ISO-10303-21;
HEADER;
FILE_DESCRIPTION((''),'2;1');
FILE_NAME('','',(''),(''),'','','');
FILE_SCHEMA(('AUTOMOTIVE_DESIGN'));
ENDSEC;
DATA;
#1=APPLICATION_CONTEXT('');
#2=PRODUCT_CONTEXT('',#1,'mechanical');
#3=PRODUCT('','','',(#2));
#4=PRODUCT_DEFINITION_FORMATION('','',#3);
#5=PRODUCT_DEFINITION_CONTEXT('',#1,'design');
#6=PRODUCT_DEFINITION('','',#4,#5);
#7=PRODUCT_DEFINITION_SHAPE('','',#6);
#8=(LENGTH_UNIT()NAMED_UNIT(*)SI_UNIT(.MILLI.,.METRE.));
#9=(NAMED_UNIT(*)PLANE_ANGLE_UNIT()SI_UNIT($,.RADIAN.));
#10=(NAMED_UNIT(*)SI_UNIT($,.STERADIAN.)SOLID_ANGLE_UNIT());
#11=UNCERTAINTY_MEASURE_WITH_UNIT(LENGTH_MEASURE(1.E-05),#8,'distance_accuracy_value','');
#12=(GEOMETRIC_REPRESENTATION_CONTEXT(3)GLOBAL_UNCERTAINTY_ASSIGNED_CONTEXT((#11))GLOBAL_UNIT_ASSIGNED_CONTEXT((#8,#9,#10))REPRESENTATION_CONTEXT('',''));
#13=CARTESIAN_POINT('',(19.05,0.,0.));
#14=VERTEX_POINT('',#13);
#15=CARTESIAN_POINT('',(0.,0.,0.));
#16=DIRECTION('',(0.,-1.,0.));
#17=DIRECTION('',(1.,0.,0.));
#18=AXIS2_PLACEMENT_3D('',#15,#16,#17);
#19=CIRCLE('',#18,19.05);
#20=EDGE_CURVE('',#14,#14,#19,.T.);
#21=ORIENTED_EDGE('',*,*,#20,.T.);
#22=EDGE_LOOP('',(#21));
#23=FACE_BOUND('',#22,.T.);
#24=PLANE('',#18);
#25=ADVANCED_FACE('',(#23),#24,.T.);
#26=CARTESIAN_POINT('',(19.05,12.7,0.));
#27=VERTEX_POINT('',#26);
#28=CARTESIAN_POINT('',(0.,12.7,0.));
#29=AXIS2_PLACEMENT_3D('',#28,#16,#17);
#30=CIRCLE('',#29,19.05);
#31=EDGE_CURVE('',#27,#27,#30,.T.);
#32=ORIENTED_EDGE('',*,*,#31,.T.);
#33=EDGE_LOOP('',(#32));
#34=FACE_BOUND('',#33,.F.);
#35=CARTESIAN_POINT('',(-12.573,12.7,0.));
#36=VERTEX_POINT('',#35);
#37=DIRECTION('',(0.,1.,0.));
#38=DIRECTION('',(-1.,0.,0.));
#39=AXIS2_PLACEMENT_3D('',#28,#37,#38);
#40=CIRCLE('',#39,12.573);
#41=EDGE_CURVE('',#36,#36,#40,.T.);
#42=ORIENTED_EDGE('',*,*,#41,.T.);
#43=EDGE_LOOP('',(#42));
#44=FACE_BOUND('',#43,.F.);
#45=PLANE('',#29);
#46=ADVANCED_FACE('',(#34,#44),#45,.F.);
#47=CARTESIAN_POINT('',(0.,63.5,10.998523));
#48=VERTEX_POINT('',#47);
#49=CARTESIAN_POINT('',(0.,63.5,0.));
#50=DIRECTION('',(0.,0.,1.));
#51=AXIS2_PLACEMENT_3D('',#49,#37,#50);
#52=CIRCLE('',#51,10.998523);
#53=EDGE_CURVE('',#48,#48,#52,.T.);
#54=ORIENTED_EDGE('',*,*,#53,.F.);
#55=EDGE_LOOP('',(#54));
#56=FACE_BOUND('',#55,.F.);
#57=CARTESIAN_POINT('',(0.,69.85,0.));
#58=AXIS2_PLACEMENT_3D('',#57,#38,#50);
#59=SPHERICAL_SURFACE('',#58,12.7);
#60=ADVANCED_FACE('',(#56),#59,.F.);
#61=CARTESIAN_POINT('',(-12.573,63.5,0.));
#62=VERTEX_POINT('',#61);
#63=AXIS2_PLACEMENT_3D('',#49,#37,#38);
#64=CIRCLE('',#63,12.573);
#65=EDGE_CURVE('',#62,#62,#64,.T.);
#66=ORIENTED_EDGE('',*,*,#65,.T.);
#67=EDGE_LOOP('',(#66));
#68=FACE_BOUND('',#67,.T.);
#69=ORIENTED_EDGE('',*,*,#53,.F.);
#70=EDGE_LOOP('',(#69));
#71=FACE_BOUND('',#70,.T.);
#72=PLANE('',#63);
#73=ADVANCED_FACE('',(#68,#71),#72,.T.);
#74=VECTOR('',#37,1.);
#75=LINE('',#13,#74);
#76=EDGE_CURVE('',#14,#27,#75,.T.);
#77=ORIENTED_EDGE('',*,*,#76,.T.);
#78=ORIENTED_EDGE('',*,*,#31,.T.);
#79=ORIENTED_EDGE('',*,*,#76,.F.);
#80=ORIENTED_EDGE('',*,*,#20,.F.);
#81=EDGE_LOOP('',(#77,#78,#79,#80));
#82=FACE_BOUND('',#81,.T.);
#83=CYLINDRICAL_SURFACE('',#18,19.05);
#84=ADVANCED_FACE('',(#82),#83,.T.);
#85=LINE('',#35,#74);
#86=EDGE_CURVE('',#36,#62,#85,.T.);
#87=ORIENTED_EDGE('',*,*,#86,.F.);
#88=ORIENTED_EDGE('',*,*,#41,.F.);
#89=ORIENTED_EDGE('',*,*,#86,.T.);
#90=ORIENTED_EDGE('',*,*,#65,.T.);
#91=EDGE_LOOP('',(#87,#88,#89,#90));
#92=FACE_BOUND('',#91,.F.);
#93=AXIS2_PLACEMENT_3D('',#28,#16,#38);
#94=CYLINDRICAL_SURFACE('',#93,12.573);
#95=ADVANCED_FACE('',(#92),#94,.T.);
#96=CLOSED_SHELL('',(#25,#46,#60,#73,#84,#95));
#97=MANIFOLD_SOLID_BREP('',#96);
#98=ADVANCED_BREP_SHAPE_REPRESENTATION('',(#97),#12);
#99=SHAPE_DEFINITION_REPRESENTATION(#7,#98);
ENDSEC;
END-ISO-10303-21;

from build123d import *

# Parameters (mm, degrees)
F0_R     = 19.05
F1_DEPTH = 12.7
F2_R     = 12.573
F3_DEPTH = 50.8


with BuildPart() as f1:
    # F0 (on Front) → F1 (new body)
    with BuildSketch(Plane.XZ):
        Circle(F0_R)
    extrude(amount=-F1_DEPTH)

    # F2 (on face) → F3 (join)
    with BuildSketch(Plane(origin=(0, 12.7, 0), x_dir=(-1, 0, 0), z_dir=(0, 1, 0))):
        Circle(F2_R)
    extrude(amount=F3_DEPTH)

    # F5 (on offset) → F6 (revolve, cut)
    with BuildSketch(Plane.XZ.offset(-69.85)):
        with BuildLine():
            Line((-12.7, 0), (12.7, 0))
            ThreePointArc((12.7, 0), (0, 12.7), (-12.7, 0))
        make_face()
    revolve(axis=Axis((-2.040861, 69.85, 0), (-1, 0, 0)), mode=Mode.SUBTRACT)


solid = f1.part
